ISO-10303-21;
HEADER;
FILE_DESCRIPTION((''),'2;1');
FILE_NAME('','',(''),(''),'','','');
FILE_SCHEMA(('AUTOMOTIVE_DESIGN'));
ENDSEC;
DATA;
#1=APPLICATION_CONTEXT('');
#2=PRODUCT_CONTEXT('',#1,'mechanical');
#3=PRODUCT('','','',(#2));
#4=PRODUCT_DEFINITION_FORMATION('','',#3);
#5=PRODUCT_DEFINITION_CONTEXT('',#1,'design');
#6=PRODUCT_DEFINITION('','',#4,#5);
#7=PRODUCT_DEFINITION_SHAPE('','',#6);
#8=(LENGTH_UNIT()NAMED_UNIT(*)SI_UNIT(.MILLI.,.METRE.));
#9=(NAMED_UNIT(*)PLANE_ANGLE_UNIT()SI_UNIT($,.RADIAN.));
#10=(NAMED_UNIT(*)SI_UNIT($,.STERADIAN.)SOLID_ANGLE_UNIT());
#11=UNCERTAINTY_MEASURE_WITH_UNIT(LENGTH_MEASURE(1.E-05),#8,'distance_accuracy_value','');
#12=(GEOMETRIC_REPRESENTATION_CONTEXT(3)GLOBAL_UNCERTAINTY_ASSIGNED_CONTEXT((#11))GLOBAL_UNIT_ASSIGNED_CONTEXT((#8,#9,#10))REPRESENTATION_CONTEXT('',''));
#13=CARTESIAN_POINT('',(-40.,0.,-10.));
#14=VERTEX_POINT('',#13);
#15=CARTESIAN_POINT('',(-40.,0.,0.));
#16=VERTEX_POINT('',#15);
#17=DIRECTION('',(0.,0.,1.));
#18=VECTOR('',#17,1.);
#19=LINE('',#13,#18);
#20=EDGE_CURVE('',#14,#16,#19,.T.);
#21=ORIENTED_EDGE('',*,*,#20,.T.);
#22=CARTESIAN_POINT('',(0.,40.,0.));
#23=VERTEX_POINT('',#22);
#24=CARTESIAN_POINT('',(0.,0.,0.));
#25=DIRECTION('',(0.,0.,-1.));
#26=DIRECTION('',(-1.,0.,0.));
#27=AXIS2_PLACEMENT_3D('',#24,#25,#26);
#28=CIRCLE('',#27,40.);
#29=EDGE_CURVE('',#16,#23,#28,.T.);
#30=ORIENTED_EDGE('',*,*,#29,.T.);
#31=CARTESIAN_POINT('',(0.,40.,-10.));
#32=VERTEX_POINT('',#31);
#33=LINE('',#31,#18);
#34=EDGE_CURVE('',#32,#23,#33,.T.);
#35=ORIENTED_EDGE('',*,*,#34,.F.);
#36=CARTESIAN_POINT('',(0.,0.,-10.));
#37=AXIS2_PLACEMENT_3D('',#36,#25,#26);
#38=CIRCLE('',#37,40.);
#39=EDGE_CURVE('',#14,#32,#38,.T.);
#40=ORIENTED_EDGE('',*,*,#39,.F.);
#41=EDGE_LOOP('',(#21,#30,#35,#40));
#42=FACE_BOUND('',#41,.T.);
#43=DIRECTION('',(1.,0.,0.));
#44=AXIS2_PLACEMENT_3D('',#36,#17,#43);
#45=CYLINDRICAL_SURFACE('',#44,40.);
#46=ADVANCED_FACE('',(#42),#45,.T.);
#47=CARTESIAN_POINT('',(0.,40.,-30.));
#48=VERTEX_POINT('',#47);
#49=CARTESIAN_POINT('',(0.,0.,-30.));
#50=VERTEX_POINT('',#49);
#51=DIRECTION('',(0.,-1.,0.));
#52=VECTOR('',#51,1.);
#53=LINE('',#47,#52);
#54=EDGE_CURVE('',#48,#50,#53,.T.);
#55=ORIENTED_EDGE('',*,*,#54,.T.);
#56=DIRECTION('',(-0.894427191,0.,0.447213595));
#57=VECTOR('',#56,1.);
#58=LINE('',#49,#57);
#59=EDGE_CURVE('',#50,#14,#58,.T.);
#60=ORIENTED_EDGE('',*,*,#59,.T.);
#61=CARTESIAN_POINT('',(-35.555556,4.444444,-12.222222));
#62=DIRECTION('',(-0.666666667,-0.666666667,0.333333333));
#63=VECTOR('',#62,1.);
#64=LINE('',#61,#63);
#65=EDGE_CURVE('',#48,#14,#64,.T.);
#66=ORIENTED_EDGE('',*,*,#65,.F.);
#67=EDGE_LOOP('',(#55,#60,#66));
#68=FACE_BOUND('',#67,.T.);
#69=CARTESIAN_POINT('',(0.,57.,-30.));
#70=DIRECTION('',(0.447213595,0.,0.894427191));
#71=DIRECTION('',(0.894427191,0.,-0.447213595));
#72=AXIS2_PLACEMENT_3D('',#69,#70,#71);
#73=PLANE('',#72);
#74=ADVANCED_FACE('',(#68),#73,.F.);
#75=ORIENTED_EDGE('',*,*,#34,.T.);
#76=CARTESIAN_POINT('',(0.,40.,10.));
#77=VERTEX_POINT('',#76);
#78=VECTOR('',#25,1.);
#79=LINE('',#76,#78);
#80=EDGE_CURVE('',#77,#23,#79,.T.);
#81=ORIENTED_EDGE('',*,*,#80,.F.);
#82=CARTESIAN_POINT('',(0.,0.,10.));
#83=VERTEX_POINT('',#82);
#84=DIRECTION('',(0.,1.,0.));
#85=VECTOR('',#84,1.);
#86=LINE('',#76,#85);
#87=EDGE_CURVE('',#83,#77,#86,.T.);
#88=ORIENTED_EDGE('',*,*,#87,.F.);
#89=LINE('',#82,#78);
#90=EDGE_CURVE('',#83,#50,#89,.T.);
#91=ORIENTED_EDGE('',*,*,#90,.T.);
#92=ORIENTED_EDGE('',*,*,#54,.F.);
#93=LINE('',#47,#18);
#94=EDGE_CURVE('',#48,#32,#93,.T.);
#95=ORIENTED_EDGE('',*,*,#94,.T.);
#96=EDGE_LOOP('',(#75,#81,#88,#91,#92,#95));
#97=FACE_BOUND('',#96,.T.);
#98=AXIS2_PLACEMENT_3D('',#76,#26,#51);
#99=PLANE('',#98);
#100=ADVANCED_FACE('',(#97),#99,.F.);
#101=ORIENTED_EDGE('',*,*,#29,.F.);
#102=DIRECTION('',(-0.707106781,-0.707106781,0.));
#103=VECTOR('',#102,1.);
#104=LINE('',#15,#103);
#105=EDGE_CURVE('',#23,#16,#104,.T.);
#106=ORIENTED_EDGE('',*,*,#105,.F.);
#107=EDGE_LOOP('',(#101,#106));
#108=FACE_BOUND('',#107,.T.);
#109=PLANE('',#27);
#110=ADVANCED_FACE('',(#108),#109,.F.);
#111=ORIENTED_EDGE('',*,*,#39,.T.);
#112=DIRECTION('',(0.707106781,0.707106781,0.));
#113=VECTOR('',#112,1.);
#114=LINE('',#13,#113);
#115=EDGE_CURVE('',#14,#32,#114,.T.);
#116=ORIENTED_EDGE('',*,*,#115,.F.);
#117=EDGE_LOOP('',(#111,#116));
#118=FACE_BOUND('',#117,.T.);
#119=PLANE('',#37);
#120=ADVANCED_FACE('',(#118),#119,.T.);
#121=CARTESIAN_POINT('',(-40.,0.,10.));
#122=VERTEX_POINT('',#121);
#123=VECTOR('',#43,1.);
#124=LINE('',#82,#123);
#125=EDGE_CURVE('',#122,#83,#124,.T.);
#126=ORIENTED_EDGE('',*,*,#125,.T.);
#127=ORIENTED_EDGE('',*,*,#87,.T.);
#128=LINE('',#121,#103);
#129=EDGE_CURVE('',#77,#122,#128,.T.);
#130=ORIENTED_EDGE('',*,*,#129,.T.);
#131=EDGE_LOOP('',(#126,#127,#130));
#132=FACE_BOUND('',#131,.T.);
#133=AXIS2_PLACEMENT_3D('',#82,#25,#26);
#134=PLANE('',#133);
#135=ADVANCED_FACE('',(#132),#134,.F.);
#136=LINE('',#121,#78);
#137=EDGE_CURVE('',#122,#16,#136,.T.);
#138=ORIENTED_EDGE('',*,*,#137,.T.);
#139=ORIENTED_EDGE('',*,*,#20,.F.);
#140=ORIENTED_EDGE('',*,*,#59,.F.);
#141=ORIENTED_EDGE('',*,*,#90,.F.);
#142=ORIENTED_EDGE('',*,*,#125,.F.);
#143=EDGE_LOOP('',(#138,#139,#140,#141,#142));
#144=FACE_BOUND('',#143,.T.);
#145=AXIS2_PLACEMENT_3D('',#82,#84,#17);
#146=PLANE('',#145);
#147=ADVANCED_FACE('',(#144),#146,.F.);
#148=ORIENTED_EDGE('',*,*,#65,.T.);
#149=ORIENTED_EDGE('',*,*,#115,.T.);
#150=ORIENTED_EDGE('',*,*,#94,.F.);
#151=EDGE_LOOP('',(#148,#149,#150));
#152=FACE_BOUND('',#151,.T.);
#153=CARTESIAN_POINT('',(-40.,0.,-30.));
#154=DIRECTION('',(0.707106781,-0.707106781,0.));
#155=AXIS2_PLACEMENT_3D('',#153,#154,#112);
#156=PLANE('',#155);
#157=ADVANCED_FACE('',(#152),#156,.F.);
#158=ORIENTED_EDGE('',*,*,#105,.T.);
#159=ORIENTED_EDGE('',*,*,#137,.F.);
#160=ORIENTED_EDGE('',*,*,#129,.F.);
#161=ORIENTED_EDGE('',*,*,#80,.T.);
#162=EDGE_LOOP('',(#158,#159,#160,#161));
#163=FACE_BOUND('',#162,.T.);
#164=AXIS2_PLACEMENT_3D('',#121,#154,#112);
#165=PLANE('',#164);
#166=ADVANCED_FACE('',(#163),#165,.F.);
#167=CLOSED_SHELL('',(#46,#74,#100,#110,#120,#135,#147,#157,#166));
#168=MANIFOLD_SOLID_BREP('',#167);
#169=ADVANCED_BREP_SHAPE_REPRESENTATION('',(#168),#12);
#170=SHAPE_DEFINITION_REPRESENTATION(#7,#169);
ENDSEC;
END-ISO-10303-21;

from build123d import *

# Parameters (mm, degrees)
BOSS_EXTRUDE1_DEPTH = 10
BOSS_EXTRUDE2_DEPTH = 10
BOSS_EXTRUDE4_DEPTH = 20
CUT_EXTRUDE3_DEPTH  = 57


with BuildPart() as part:
    # Sketch1 → Boss-Extrude1 (new body)
    with BuildSketch(Plane.XY):
        Polygon((0, 0), (-40, 0), (0, 40), align=None)
    extrude(amount=BOSS_EXTRUDE1_DEPTH)

    # Sketch2 → Boss-Extrude2 (add)
    with BuildSketch(Plane(origin=(0, 0, 0), x_dir=(-1, 0, 0), z_dir=(0, 0, -1))):
        with BuildLine():
            Line((0, 40), (0, 0))
            Line((0, 0), (40, 0))
            ThreePointArc((40, 0), (28.284271247, 28.284271247), (0, 40))
        make_face()
    extrude(amount=BOSS_EXTRUDE2_DEPTH)

    # Sketch3 → Boss-Extrude4 (add)
    with BuildSketch(Plane(origin=(0, 0, -10), x_dir=(-1, 0, 0), z_dir=(0, 0, -1))):
        Polygon((0, 40), (0, 0), (40, 0), align=None)
    extrude(amount=BOSS_EXTRUDE4_DEPTH)

    # Sketch5 → Cut-Extrude3 (cut)
    with BuildSketch(Plane.XZ):
        Polygon((0, -30), (-40, -10), (-40, -30), align=None)
    extrude(amount=-CUT_EXTRUDE3_DEPTH, mode=Mode.SUBTRACT)


solid = part.part
